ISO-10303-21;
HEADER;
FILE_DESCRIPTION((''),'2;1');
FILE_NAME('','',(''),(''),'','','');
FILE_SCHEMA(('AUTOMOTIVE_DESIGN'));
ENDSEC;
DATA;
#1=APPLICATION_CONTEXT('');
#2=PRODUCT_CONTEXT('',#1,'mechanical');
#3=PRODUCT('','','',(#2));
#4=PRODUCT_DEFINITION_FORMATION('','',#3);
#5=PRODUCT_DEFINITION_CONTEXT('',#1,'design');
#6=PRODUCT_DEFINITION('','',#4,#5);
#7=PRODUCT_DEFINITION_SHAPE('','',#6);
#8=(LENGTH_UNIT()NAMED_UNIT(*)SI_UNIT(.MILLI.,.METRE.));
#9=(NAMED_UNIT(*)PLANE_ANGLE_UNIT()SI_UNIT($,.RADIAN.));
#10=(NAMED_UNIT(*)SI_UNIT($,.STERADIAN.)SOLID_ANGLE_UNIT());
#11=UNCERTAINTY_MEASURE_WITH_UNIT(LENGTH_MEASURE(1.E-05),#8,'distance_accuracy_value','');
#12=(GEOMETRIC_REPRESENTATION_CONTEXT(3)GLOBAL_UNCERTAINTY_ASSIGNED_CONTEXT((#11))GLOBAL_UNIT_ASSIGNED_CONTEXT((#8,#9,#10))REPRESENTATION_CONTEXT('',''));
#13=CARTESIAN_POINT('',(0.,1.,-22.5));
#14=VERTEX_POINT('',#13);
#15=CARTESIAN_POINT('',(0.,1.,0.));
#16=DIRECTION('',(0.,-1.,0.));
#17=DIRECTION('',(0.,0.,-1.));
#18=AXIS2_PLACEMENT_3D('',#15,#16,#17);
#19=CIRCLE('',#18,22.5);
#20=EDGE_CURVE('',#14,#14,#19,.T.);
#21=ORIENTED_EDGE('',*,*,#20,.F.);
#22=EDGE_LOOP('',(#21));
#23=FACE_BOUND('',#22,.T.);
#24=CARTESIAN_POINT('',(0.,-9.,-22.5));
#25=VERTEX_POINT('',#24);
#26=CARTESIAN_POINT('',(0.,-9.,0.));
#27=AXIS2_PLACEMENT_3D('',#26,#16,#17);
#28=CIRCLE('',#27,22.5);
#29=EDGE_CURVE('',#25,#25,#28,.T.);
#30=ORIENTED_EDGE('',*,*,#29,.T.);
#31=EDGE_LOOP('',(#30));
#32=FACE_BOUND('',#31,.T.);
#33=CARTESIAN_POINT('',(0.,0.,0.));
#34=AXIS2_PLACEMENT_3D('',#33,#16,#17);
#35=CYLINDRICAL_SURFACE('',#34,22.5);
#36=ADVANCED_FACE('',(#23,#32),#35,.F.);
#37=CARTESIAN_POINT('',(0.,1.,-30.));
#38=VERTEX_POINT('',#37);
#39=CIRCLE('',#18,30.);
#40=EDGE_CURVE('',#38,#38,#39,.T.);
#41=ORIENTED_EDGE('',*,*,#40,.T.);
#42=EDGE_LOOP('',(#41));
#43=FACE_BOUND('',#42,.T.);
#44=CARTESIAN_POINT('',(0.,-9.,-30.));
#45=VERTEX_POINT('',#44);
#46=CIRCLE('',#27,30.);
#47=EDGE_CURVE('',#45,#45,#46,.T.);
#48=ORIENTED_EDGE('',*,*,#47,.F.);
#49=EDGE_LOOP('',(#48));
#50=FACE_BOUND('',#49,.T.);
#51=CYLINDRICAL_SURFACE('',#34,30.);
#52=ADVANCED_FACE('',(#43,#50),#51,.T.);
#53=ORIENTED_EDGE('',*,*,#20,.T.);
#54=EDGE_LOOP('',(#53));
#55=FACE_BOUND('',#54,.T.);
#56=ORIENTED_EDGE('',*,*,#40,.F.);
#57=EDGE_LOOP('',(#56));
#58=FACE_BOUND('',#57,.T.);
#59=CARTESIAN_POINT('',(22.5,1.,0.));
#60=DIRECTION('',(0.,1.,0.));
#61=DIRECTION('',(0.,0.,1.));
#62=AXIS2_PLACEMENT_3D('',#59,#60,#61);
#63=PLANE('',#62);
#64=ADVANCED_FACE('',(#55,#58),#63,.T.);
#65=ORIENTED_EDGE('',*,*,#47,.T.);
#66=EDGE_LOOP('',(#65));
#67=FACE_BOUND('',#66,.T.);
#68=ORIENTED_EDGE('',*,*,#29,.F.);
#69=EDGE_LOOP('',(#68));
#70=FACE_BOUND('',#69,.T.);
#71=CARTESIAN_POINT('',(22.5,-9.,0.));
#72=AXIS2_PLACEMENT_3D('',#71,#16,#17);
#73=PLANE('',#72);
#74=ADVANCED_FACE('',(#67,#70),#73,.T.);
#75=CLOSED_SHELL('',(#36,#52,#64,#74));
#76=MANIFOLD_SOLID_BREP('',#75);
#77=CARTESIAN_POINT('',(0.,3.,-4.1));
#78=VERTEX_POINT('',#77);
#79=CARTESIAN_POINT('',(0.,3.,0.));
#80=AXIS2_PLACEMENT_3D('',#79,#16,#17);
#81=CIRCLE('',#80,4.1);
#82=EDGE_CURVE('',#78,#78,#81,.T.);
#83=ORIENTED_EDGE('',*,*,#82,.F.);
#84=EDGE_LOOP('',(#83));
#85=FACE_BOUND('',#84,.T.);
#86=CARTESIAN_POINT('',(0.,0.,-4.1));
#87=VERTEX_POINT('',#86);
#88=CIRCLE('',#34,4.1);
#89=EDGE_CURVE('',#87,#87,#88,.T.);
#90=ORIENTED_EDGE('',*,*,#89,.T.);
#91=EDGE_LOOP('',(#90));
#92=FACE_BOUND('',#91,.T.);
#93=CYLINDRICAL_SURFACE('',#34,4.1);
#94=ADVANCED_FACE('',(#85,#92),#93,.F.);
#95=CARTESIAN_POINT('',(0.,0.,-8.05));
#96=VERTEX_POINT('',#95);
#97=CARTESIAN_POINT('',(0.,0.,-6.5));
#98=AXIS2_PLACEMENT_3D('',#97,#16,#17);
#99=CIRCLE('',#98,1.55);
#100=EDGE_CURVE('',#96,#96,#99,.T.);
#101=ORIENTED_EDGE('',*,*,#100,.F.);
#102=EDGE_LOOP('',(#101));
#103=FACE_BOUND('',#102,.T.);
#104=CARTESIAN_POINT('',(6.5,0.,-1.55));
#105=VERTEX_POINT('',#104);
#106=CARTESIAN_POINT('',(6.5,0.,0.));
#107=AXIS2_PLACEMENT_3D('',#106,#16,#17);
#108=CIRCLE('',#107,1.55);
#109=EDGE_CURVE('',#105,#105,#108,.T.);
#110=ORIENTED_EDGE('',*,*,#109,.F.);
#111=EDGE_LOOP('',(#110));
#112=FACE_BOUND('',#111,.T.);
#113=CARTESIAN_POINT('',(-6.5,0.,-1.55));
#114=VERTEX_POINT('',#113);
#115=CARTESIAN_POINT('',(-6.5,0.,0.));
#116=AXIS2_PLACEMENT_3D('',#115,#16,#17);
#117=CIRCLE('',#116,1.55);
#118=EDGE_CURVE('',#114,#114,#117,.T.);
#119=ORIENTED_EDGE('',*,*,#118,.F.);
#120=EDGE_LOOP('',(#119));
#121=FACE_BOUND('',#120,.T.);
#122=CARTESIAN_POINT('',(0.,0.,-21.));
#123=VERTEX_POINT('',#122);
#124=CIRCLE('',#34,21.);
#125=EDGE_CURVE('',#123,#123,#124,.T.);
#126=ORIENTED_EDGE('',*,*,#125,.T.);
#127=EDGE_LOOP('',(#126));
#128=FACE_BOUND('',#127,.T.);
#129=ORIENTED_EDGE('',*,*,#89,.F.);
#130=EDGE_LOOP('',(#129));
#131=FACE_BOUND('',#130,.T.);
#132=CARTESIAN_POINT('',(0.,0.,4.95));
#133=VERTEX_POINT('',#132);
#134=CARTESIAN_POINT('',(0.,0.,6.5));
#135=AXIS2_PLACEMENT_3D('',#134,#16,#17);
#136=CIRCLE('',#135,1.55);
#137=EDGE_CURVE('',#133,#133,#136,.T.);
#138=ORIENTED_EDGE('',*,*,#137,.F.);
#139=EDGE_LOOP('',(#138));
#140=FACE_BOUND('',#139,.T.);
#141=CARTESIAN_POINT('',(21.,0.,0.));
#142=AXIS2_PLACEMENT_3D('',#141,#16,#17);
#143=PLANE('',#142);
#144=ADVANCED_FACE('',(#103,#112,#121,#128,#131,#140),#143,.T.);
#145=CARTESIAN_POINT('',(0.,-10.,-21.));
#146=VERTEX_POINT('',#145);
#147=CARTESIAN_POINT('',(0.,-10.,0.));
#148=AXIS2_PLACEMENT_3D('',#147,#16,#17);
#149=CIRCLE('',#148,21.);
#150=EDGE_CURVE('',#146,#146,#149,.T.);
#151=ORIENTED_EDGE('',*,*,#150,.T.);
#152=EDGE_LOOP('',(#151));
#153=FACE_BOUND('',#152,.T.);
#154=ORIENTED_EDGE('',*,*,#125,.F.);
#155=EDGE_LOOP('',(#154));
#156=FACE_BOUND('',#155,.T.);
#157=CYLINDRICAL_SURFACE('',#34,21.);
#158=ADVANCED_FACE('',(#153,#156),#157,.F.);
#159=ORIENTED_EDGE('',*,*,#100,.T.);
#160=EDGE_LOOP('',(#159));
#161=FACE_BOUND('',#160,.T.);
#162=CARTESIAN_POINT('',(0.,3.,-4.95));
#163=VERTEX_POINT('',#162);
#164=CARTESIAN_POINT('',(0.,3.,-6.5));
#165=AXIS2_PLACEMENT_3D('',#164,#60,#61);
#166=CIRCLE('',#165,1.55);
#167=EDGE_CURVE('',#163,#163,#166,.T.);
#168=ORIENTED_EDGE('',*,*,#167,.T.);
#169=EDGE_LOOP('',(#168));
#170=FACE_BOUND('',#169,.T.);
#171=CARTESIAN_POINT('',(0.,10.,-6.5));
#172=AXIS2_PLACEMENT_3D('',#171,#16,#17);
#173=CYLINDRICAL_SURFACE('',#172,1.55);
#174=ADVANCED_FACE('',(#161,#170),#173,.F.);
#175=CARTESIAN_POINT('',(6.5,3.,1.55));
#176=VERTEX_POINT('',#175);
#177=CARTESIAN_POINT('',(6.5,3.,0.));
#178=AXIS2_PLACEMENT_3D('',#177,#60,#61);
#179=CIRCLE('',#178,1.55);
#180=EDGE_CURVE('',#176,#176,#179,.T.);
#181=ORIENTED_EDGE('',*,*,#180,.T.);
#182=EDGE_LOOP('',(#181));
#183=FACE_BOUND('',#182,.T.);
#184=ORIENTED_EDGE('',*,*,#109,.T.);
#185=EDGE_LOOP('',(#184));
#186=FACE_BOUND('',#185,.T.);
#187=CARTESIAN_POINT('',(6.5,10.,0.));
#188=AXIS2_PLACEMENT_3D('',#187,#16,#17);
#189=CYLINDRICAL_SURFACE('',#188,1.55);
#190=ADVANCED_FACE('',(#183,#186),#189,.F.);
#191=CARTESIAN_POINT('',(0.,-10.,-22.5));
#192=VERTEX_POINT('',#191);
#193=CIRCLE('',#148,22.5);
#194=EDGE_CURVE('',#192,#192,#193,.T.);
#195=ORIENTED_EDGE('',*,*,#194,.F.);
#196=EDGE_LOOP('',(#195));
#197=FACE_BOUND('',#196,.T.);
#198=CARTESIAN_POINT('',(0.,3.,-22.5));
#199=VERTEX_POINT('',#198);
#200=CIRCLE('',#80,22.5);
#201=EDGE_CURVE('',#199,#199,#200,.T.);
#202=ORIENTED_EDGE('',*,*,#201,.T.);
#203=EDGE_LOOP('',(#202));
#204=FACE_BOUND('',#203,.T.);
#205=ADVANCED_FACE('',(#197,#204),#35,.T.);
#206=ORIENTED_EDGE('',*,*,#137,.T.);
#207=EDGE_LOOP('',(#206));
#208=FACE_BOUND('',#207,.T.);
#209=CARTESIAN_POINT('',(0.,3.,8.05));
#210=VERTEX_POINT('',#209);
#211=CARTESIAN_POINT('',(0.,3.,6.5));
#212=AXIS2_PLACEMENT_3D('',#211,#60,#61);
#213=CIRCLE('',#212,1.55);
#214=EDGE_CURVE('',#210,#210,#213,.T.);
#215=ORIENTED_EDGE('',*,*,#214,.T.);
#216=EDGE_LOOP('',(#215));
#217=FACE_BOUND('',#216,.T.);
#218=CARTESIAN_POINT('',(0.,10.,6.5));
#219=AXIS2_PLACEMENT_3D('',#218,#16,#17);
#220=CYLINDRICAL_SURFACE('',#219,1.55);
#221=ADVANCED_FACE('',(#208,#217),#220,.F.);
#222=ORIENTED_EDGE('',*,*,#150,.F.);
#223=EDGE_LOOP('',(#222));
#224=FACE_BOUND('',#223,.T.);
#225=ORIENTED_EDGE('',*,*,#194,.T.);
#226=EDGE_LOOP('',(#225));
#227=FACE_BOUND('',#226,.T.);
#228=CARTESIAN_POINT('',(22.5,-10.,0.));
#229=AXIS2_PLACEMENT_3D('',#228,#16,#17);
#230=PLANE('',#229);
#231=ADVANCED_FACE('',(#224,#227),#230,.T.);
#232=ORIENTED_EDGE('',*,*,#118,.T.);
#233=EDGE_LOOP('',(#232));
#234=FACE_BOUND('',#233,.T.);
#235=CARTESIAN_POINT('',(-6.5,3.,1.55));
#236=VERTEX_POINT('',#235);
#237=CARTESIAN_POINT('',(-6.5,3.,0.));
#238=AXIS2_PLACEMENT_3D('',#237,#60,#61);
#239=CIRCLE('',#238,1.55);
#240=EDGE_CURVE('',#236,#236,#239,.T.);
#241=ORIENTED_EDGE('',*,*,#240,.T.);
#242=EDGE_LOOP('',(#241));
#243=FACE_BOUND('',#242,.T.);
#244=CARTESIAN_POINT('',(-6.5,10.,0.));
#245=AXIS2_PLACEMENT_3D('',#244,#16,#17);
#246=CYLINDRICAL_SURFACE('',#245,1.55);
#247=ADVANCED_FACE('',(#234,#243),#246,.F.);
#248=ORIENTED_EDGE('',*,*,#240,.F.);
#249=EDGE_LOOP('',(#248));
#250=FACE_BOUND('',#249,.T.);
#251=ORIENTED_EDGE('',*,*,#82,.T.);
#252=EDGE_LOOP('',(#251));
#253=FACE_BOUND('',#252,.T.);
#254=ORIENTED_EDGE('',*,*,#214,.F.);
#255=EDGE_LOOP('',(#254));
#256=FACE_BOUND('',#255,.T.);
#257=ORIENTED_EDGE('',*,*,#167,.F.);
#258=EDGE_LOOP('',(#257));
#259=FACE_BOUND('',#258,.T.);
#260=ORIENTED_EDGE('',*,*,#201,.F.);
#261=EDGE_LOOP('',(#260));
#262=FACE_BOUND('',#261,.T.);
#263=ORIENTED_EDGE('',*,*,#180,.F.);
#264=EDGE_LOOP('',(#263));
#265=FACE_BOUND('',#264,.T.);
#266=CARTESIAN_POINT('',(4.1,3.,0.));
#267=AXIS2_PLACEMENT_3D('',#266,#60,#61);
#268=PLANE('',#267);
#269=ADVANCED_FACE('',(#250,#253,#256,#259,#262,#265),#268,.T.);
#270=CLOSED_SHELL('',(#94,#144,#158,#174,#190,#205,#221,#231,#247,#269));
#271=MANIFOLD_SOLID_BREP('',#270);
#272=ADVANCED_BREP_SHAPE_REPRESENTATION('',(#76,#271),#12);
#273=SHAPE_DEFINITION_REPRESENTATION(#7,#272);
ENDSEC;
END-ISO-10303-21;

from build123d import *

# Parameters (mm, degrees)
SKETCH_2_W          = 7.5
SKETCH_2_H          = 10
SKETCH_3_R          = 1.55
CUT_EXTRUDE_1_DEPTH = 10


with BuildPart() as part:
    # 草图1 → 旋转1 (revolve)
    with BuildSketch(Plane.XY, mode=Mode.PRIVATE) as revolve_1_sk:
        Polygon((4.1, 0), (4.1, 3), (22.5, 3), (22.5, -10), (21, -10), (21, 0), align=None)
    revolve(revolve_1_sk.sketch.rotate(Axis((0, 0, 0), (0, 1, 0)), 90), axis=Axis((0, 0, 0), (0, 1, 0)))

    # 草图3 → 切除-拉伸1 (cut)
    with BuildSketch(Plane.XZ):
        with Locations(Location((6.5, 0, 0), (0, 0, 270))):
            Circle(SKETCH_3_R)
        with Locations(Location((-6.5, 0, 0), (0, 0, 270))):
            Circle(SKETCH_3_R)
        with Locations(Location((0, 6.5, 0), (0, 0, 270))):
            Circle(SKETCH_3_R)
        with Locations(Location((0, -6.5, 0), (0, 0, 270))):
            Circle(SKETCH_3_R)
    extrude(amount=-CUT_EXTRUDE_1_DEPTH, mode=Mode.SUBTRACT)


with BuildPart() as body_2:
    # 草图2 → 旋转2 (revolve)
    with BuildSketch(Plane.XY, mode=Mode.PRIVATE) as revolve_2_sk:
        with Locations((26.25, -4)):
            Rectangle(SKETCH_2_W, SKETCH_2_H)
    revolve(revolve_2_sk.sketch.rotate(Axis((0, 0, 0), (0, 1, 0)), 90), axis=Axis((0, 0, 0), (0, 1, 0)))


solid = Compound([part.part, body_2.part])
